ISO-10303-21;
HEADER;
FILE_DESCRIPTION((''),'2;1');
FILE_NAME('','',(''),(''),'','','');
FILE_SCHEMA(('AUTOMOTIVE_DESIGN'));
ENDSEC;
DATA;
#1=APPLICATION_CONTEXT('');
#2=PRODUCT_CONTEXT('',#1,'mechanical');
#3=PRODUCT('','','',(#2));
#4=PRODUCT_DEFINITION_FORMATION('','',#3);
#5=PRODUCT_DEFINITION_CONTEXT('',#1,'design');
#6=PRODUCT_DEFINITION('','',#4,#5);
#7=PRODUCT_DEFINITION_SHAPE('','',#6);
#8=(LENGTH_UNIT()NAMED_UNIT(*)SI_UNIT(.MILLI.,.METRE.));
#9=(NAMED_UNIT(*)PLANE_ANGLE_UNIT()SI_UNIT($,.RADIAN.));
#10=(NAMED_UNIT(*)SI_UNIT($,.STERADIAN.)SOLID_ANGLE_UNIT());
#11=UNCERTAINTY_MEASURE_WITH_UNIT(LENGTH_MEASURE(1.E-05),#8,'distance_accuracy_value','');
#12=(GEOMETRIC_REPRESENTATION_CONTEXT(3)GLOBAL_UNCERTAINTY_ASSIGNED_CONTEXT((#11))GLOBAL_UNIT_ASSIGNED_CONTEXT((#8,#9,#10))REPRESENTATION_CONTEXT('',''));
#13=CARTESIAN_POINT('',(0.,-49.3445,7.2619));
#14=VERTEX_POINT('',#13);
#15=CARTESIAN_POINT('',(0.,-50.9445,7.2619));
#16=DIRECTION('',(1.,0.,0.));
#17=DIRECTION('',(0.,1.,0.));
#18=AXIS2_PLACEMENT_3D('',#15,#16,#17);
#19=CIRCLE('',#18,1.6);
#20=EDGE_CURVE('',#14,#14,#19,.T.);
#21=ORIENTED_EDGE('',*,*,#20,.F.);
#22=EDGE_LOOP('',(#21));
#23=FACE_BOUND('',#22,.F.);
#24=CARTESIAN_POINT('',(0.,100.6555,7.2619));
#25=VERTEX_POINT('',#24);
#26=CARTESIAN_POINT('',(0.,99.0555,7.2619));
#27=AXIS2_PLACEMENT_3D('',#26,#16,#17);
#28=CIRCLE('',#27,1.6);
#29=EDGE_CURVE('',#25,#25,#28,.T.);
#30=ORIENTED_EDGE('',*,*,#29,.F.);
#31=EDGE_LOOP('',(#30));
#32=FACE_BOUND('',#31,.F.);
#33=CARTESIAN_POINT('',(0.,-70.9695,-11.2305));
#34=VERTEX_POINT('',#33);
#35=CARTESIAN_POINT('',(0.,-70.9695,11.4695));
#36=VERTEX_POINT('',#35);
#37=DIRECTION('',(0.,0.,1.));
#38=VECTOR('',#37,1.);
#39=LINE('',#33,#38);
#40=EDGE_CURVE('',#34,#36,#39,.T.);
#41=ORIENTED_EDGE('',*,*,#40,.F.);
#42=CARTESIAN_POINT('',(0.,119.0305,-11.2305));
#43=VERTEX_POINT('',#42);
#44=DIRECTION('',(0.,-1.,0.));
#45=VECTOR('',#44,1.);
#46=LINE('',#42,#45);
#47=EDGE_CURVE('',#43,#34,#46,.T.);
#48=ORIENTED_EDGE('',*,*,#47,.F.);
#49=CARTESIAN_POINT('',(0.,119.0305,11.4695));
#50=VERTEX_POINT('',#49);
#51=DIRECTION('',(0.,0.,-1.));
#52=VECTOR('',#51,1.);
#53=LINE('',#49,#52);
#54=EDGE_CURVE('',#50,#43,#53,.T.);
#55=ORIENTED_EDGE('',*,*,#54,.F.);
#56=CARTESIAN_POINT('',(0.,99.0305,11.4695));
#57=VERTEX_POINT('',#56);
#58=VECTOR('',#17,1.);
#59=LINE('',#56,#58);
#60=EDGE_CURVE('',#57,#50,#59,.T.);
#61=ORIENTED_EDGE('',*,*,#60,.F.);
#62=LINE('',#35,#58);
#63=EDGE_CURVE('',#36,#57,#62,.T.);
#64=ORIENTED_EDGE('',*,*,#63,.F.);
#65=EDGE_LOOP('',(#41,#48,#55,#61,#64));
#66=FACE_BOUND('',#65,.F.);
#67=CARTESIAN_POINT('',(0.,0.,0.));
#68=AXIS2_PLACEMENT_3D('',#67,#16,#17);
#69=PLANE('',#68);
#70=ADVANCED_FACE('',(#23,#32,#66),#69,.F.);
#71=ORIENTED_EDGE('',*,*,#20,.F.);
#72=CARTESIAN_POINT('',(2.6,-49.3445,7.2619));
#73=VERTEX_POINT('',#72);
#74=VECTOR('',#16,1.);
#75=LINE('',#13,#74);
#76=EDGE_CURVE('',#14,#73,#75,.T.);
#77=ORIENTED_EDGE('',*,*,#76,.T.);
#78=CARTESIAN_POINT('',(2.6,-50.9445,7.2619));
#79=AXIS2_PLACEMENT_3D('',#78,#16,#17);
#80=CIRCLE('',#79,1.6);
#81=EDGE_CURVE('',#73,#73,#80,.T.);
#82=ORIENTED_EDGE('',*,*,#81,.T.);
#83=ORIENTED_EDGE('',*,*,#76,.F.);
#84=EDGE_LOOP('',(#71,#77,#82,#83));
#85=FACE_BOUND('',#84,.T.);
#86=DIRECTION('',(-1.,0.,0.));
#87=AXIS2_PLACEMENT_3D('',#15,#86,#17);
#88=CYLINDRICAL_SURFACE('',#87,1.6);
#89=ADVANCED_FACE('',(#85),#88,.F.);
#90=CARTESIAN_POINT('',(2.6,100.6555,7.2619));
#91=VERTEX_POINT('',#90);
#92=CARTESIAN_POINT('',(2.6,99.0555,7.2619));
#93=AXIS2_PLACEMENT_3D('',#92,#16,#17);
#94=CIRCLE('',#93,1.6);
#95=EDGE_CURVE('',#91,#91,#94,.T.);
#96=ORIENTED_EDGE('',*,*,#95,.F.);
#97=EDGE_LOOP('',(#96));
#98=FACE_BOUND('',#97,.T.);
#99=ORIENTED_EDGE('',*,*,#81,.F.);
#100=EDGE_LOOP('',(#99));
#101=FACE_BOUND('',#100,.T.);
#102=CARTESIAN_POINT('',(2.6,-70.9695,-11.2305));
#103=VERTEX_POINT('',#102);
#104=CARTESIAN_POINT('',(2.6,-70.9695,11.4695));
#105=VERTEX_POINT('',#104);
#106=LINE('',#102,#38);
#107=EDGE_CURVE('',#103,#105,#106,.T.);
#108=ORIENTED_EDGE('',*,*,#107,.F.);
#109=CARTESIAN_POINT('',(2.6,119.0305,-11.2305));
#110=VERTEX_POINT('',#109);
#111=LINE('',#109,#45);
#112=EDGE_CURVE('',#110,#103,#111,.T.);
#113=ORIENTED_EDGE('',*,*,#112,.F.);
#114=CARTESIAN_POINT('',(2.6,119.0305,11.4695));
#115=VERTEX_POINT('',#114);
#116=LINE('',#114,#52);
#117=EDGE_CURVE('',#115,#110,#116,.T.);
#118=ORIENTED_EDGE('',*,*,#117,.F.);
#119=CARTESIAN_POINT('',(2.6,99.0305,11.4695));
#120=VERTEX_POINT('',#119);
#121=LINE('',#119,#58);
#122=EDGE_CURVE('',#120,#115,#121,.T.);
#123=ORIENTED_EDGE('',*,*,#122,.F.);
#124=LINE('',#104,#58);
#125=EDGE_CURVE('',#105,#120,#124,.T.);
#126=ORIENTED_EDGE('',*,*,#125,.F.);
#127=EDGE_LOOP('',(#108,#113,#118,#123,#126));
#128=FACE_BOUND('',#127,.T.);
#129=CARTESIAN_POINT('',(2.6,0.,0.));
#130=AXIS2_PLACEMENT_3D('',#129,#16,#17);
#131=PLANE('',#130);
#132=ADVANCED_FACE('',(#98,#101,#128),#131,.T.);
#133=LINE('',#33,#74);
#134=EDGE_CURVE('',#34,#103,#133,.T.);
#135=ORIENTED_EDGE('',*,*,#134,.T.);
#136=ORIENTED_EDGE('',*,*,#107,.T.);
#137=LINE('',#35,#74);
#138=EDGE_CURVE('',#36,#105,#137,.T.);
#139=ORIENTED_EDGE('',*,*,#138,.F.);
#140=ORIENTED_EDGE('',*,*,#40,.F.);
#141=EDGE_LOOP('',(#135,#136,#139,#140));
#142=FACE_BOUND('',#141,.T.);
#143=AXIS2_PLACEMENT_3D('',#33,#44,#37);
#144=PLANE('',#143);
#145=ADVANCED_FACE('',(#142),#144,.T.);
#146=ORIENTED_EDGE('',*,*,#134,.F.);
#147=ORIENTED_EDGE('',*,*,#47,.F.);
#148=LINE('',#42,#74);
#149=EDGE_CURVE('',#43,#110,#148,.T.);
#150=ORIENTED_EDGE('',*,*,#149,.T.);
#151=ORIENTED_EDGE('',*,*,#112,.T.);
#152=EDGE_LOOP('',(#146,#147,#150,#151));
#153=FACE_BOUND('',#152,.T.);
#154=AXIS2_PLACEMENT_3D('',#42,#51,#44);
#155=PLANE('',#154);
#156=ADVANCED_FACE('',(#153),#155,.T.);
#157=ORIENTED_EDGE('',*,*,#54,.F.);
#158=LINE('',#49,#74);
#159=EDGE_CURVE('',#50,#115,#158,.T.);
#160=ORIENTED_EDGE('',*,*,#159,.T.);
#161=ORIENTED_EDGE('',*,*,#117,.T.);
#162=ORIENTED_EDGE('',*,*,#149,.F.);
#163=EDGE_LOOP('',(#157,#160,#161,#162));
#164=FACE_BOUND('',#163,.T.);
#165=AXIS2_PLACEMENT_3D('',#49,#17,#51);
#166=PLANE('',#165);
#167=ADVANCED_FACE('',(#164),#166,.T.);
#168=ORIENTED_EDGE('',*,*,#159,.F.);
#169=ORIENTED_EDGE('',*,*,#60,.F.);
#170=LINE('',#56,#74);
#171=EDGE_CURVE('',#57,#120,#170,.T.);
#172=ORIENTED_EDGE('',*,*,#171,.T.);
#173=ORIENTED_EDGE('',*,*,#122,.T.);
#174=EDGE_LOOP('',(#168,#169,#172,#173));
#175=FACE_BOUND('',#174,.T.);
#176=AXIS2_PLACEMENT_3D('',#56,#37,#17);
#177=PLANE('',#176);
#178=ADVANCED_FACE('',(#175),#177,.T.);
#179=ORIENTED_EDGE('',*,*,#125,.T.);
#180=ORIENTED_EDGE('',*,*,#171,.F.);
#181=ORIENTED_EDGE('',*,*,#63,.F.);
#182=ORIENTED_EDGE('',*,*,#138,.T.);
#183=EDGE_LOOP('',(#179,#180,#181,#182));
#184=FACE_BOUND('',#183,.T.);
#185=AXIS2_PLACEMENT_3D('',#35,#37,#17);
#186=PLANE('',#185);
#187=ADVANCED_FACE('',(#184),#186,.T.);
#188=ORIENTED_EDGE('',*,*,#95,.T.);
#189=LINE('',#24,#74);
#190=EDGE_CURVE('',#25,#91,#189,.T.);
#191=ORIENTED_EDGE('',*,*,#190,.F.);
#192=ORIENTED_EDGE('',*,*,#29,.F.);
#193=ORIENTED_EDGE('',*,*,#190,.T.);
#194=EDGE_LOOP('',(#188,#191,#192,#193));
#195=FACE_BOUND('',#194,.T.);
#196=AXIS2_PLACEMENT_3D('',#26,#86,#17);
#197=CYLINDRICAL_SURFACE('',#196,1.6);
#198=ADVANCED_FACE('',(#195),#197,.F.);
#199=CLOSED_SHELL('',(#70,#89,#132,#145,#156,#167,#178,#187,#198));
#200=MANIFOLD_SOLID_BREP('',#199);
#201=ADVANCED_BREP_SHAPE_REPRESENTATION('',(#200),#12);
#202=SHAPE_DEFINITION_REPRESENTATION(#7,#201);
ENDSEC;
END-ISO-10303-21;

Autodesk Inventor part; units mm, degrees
ref_plane "YZ Plane" through (0, 0, 0) normal (1, 0, 0) x (0, 1, 0)
ref_plane "XZ Plane" through (0, 0, 0) normal (0, 1, 0) x (-1, 0, 0)
ref_plane "XY Plane" through (0, 0, 0) normal (0, 0, 1) x (1, 0, 0)
sketch "Sketch1" plane through (0, 0, 0) normal (1, 0, 0) x (0, 1, 0)
  circle A0 centre (99.0555, 7.2619) radius 1.6
  line L0 (99.0555, 7.2619) -> (-50.9445, 7.2619) construction
  line L1 (99.0555, 7.2619) -> (249.0555, 7.2619) construction
  circle A1 centre (-50.9445, 7.2619) radius 1.6
  circle A2 centre (99.0555, 7.2619) radius 1.6
  line L2 (99.0305, 11.4695) -> (119.0305, 11.4695)
  line L3 (119.0305, 11.4695) -> (119.0305, -11.2305)
  line L4 (119.0305, 11.4695) -> (141.7305, 11.4695) construction
  line L5 (119.0305, -11.2305) -> (-70.9695, -11.2305)
  line L6 (-70.9695, -11.2305) -> (-70.9695, 11.4695)
  line L7 (-70.9695, 11.4695) -> (99.0305, 11.4695)
  point P0 (0, 0)
  dimension "d0" = 150
  dimension "d1" = 180
  dimension "d2" = 3.2
  dimension "d3" = 3.2
  dimension "d4" = 20
  dimension "d5" = 22.7
  dimension "d6" = 90
  dimension "d7" = 190
  dimension "d8" = 90
  dimension "d9" = 22.7
  dimension "d10" = 90
extrude "Extrusion1" add sketch "Sketch1" along normal blind 2.6
properties part number "Template-Fixture-Side"
